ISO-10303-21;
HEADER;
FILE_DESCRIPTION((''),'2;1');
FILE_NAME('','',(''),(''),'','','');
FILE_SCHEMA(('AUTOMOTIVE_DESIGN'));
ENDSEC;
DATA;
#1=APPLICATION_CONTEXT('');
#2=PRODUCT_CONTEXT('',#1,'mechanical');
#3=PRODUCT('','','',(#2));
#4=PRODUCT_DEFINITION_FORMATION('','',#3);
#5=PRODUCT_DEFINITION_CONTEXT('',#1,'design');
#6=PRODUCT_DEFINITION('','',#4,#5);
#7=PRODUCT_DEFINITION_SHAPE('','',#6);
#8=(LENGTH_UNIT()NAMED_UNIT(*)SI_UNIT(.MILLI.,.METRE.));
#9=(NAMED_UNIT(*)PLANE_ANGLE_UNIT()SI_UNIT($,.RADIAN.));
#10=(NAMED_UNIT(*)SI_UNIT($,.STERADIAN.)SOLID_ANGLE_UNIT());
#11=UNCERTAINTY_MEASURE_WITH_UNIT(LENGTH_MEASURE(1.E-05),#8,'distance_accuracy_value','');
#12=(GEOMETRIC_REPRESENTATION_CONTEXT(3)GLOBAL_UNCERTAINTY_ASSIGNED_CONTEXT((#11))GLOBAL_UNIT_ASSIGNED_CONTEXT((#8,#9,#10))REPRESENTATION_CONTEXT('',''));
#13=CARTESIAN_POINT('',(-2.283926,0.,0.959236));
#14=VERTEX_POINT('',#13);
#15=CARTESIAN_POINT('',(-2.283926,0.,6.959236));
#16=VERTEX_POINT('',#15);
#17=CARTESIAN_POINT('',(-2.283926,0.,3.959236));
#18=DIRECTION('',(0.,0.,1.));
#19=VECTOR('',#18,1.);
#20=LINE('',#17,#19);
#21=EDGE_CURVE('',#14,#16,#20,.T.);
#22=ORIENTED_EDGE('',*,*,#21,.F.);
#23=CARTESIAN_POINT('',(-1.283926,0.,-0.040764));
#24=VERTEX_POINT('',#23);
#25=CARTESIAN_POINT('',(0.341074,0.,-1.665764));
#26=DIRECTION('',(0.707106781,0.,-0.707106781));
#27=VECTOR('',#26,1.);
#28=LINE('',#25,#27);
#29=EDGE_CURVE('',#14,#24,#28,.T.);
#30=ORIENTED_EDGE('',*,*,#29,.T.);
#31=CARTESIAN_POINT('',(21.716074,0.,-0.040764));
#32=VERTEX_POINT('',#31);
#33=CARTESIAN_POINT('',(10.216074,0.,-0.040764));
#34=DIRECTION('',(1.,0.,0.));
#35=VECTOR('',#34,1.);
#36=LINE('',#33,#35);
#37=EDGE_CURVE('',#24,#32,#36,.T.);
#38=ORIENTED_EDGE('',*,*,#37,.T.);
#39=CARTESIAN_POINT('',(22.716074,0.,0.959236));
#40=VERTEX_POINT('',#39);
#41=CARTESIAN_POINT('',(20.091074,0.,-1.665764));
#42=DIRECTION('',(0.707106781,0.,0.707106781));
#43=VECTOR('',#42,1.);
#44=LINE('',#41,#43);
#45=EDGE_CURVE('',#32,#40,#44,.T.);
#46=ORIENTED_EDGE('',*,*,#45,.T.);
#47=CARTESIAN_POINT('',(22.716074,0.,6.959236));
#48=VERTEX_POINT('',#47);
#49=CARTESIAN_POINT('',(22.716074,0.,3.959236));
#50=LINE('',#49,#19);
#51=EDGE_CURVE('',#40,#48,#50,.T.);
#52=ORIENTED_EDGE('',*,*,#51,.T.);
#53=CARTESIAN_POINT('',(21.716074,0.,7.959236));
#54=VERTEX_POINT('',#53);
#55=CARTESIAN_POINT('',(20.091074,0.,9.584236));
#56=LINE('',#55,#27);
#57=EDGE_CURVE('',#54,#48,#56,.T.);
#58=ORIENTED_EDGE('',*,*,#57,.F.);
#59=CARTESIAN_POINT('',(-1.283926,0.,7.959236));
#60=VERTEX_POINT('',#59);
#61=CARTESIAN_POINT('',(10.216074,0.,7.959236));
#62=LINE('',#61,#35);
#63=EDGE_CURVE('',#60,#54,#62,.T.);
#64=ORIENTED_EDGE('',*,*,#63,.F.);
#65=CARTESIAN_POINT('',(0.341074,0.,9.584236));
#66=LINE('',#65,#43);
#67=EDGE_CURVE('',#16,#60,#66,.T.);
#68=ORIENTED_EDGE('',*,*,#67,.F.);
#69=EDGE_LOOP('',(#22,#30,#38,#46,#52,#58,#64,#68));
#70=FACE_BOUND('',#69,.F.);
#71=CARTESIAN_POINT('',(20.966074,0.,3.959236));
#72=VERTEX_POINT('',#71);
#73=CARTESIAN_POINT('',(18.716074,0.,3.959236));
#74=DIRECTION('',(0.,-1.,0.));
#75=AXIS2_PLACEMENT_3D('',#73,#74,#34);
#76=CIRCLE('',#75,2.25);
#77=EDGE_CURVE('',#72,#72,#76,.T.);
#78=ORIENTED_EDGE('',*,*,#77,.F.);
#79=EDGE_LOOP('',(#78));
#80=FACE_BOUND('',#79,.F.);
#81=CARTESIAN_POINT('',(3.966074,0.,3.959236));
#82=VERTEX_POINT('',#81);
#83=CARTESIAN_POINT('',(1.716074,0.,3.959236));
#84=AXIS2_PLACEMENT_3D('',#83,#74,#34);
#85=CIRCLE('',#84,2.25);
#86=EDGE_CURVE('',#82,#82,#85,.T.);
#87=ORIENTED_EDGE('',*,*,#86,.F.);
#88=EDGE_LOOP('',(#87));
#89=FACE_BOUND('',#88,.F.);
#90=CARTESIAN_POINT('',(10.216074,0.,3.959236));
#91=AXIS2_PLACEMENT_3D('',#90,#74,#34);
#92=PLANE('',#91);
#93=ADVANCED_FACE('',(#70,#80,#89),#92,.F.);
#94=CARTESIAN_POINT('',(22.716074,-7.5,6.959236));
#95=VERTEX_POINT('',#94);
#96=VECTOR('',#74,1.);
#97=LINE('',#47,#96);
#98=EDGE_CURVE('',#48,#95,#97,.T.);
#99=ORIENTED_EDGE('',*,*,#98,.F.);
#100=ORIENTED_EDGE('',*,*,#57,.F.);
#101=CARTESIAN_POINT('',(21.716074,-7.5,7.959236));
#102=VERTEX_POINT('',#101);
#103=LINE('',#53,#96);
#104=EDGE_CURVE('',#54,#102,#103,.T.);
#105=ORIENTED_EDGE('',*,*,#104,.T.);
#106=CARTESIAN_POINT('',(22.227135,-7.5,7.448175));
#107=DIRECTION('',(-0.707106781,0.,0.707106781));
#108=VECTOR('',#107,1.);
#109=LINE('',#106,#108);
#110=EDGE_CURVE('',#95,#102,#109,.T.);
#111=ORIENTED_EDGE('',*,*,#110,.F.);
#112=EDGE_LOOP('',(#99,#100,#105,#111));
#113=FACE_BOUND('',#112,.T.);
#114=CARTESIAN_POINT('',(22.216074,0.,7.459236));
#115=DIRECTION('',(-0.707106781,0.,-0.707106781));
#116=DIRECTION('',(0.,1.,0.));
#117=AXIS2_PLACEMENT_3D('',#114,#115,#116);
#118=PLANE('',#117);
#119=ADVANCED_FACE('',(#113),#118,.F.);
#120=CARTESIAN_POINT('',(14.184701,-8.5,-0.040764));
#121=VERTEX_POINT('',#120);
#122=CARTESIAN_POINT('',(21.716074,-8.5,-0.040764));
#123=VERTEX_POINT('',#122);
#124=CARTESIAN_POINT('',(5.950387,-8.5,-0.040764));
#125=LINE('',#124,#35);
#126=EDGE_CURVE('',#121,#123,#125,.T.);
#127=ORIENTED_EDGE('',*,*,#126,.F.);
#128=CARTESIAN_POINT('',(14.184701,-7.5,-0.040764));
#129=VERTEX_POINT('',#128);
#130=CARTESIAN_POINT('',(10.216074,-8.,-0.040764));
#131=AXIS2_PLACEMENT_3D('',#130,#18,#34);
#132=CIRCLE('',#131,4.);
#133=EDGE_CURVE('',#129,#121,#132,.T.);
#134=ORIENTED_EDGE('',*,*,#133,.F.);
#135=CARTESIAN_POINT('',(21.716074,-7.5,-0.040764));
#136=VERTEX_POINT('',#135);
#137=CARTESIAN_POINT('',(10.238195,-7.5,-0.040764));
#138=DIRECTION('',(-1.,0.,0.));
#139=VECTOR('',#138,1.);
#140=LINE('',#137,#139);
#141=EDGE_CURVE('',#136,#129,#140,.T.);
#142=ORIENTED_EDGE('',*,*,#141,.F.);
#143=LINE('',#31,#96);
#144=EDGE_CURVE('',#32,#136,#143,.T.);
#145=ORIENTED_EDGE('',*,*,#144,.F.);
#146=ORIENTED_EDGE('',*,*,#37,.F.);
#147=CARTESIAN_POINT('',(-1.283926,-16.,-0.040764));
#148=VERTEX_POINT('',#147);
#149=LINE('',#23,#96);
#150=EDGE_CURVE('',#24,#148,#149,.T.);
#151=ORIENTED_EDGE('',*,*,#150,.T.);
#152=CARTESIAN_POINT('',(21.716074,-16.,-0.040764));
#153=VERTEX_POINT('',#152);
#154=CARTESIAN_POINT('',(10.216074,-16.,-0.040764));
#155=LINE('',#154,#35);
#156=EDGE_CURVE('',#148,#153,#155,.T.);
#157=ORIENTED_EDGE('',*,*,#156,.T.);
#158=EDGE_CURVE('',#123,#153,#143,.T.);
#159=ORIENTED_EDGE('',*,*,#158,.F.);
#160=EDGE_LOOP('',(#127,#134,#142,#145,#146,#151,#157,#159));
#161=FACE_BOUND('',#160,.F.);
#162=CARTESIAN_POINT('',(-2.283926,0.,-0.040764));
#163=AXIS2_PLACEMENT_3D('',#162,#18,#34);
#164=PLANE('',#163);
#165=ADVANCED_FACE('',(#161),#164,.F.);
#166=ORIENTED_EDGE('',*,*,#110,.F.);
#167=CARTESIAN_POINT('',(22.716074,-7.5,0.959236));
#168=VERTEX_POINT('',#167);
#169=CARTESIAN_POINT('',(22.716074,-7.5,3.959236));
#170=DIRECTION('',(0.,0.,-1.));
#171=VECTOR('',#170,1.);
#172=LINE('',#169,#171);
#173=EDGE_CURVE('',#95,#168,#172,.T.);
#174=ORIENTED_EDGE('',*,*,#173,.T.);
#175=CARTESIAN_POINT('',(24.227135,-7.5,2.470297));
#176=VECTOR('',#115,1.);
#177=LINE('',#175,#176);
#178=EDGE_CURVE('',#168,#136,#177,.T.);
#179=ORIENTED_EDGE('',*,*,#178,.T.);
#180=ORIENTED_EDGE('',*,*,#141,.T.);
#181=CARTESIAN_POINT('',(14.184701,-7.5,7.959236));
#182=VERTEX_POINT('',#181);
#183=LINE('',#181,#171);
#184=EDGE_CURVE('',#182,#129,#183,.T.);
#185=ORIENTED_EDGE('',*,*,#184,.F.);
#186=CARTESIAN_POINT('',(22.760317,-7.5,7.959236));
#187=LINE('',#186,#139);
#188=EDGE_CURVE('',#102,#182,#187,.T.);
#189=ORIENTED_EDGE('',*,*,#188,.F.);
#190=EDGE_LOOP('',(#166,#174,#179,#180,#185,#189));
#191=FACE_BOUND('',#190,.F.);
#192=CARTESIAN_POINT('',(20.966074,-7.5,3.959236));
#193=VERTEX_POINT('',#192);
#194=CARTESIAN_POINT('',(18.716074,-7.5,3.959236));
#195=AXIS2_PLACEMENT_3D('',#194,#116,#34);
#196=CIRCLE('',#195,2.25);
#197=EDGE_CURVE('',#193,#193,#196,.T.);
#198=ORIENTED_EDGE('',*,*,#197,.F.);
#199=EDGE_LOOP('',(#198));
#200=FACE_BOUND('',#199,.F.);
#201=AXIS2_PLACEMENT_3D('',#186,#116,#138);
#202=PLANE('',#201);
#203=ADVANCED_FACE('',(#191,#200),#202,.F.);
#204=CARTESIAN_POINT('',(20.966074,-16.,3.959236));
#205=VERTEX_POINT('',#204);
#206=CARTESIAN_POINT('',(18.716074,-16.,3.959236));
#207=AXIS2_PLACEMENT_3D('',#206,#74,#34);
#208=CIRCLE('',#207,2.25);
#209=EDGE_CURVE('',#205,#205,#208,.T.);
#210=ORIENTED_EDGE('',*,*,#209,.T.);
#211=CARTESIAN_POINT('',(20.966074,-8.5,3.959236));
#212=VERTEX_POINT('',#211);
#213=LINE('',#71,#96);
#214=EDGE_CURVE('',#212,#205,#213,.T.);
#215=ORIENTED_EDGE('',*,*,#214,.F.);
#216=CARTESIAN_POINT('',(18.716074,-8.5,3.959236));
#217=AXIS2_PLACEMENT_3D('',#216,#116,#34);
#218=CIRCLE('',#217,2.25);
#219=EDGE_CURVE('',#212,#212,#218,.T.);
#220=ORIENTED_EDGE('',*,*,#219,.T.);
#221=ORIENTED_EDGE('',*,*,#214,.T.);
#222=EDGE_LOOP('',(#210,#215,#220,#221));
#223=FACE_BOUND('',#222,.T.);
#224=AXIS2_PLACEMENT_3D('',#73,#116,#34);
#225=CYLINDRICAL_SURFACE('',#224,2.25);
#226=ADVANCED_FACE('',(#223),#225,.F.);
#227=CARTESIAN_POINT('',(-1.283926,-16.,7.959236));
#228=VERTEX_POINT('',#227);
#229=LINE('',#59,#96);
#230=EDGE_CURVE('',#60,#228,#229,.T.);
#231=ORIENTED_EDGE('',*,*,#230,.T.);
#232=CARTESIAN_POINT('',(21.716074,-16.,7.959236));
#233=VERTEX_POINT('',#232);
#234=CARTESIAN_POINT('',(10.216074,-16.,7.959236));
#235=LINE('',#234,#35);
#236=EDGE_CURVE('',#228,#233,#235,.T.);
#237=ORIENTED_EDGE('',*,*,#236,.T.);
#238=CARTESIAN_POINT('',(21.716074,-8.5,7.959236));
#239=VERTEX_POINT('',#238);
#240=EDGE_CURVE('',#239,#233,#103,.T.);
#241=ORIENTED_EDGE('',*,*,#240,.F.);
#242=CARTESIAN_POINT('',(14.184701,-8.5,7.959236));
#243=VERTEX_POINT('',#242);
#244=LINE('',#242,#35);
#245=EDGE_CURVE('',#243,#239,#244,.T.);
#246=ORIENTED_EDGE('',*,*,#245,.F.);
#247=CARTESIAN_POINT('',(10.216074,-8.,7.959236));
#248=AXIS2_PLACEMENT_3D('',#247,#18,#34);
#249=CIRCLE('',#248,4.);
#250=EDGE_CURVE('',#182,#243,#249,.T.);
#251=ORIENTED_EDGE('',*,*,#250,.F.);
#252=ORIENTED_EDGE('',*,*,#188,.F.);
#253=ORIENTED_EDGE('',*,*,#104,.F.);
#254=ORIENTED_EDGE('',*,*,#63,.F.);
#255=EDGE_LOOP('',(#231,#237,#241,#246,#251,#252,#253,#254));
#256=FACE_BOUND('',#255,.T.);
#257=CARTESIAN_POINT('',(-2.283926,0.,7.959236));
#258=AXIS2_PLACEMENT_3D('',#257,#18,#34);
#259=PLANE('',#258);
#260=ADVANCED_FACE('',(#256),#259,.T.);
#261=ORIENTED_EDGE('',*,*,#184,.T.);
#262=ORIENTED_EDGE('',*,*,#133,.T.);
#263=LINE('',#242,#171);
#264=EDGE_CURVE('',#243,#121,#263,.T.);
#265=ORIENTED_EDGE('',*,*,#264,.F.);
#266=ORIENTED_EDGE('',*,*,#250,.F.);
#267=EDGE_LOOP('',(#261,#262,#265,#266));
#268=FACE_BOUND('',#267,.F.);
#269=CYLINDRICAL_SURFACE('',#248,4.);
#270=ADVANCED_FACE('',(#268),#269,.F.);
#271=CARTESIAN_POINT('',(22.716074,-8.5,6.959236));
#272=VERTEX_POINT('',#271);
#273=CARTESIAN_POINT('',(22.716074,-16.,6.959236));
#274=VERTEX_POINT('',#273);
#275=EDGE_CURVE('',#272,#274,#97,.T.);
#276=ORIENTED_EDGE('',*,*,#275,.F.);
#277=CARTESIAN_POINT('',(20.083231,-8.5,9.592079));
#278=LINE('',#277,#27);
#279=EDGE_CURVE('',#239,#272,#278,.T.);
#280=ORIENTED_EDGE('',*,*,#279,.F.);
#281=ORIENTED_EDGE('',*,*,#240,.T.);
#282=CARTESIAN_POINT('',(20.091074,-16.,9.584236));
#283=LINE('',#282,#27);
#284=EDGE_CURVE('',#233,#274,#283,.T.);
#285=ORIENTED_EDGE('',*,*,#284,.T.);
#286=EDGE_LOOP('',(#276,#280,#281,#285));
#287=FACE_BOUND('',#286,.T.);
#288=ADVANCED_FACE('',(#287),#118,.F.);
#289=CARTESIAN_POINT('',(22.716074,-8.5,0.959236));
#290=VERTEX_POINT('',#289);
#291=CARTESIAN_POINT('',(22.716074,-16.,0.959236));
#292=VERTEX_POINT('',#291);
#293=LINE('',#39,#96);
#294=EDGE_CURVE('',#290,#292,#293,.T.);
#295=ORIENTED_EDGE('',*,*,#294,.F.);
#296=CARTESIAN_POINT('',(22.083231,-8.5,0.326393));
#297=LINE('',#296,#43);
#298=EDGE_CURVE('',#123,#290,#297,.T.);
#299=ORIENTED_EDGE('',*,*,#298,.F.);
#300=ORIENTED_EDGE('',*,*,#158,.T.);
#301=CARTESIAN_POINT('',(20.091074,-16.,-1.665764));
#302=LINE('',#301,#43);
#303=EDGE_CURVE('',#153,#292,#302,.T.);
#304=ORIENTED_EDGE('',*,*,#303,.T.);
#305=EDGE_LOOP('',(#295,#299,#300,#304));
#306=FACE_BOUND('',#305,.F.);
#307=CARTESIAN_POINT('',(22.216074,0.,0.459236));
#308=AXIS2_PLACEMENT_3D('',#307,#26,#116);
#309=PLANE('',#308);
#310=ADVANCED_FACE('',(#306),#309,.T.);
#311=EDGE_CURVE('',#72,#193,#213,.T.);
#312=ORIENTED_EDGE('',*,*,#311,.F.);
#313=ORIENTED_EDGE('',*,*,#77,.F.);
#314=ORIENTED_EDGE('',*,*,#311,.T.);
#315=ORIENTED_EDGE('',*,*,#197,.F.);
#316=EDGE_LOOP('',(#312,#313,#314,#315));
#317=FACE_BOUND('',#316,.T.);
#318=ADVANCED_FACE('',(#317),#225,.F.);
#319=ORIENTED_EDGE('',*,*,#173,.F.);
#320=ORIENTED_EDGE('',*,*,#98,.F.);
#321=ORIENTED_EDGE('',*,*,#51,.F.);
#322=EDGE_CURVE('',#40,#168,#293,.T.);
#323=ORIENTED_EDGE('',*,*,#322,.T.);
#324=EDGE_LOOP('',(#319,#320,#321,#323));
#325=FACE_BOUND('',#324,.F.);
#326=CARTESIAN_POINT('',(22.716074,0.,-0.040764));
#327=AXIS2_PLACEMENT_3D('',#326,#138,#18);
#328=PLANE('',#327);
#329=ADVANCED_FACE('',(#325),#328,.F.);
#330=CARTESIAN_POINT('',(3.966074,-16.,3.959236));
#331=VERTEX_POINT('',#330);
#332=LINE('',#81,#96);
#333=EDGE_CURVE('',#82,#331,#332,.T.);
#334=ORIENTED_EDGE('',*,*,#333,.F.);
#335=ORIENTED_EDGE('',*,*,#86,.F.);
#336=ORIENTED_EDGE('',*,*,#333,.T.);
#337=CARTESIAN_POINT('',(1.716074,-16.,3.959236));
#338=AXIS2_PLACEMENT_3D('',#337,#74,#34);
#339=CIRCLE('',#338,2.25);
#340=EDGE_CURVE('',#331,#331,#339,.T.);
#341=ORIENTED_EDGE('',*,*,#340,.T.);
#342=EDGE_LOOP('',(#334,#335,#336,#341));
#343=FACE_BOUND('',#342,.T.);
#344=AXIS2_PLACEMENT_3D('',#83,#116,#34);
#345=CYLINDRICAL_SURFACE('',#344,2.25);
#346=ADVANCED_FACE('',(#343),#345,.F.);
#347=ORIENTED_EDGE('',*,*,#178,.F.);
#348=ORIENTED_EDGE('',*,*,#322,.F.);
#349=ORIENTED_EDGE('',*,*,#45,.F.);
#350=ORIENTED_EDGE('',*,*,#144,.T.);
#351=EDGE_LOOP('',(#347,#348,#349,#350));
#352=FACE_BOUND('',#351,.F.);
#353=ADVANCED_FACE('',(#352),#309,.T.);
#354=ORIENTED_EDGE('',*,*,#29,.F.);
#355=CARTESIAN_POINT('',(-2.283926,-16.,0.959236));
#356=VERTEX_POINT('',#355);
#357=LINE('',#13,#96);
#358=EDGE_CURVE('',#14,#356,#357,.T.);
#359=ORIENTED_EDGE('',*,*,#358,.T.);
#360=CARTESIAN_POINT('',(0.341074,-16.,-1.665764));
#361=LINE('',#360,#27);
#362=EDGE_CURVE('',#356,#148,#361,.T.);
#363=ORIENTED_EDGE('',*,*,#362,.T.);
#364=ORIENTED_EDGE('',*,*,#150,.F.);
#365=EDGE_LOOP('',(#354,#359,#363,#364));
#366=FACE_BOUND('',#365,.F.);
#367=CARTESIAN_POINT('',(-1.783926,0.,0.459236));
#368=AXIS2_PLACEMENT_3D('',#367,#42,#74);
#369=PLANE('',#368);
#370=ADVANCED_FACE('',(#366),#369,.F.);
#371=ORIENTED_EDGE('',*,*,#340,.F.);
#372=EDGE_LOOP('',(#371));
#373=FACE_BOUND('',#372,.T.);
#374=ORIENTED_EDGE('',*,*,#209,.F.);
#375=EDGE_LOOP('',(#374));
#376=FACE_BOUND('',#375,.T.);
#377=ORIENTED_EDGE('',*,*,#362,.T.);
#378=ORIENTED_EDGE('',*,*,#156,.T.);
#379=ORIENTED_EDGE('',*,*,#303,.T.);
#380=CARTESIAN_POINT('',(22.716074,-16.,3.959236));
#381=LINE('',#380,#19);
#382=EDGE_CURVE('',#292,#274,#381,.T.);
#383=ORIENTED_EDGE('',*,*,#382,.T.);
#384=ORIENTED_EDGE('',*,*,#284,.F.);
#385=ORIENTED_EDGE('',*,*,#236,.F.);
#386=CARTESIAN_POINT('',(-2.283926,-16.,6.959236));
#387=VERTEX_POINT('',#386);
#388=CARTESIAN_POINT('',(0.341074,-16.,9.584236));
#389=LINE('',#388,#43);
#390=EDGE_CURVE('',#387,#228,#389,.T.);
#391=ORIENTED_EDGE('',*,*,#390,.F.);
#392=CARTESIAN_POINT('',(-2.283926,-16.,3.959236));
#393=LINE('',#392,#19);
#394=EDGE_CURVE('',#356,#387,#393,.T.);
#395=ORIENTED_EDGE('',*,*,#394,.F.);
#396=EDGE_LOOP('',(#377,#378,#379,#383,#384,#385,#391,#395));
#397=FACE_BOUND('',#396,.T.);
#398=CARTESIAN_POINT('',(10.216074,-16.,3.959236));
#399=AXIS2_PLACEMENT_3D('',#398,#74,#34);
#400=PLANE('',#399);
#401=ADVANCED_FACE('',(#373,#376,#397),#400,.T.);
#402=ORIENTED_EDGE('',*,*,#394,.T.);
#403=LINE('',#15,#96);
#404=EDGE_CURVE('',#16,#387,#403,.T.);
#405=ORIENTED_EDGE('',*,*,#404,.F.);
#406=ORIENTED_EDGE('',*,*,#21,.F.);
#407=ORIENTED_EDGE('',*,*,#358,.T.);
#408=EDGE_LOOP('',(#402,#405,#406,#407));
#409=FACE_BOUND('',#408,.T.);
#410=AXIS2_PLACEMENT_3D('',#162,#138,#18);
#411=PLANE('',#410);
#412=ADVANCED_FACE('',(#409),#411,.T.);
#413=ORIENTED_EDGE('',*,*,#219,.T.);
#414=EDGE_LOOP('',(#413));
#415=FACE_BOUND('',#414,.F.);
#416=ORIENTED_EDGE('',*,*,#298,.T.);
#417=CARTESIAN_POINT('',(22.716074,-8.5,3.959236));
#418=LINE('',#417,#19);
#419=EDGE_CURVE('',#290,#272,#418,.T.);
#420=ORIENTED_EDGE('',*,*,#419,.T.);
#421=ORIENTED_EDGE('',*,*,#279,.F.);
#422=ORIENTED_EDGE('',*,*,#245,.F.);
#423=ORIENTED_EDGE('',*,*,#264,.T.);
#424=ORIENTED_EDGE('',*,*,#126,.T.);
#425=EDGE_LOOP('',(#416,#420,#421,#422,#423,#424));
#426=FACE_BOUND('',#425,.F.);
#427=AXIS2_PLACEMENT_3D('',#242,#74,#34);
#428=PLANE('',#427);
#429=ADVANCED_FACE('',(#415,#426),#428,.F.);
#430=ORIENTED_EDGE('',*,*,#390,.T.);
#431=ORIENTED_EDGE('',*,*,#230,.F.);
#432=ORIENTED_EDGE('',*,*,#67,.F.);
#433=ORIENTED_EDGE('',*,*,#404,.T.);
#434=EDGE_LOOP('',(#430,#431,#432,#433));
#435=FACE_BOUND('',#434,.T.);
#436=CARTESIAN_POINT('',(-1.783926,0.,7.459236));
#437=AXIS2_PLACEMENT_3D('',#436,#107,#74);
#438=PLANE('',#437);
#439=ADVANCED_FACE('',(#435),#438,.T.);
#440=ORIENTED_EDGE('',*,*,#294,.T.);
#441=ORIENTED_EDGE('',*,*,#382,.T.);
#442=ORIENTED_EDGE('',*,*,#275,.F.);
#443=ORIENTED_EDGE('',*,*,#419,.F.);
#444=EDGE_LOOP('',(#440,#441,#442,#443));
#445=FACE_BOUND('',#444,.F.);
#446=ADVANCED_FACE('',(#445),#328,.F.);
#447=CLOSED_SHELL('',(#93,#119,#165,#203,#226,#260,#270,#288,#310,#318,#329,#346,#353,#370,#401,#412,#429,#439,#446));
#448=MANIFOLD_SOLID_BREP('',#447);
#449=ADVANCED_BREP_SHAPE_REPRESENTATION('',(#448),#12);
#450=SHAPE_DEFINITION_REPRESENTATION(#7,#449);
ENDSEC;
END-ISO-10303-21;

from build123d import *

# Parameters (mm, degrees)
F0_W     = 25
F0_H     = 8
F0_R     = 2.25
F1_DEPTH = 16
F2_R     = 4
F3_DEPTH = 25
F4_SIZE  = 1
F6_DEPTH = 25


with BuildPart() as f1:
    # F0 (on Front) → F1 (new body)
    with BuildSketch(Plane.XZ):
        with Locations((10.216074, 3.959236)):
            Rectangle(F0_W, F0_H)
        with Locations((1.716074, 3.959236)):
            Circle(F0_R, mode=Mode.SUBTRACT)
        with Locations((18.716074, 3.959236)):
            Circle(F0_R, mode=Mode.SUBTRACT)
    extrude(amount=F1_DEPTH)

    # F2 (on face) → F3 (cut)
    with BuildSketch(Plane.XY.offset(7.959236)):
        with Locations((10.216074, -8)):
            Circle(F2_R)
    extrude(amount=-F3_DEPTH, mode=Mode.SUBTRACT)

    # F4
    f4_edges = [f1.edges().sort_by_distance(p)[0] for p in [
        (22.716074, -8, 7.959236),
        (22.716074, -8, -0.040764),
        (-2.283926, -8, 7.959236),
        (-2.283926, -8, -0.040764),
    ]]
    chamfer(f4_edges, length=F4_SIZE)

    # F5 (on face) → F6 (cut)
    with BuildSketch(Plane.XY.offset(7.959236)):
        with BuildLine():
            Line((22.760317, -7.5), (14.184701, -7.5))
            ThreePointArc((14.184701, -7.5), (14.216074, -8), (14.184701, -8.5))
            Line((14.184701, -8.5), (22.760317, -8.5))
            Line((22.760317, -8.5), (22.760317, -7.5))
        make_face()
    extrude(amount=-F6_DEPTH, mode=Mode.SUBTRACT)


solid = f1.part
